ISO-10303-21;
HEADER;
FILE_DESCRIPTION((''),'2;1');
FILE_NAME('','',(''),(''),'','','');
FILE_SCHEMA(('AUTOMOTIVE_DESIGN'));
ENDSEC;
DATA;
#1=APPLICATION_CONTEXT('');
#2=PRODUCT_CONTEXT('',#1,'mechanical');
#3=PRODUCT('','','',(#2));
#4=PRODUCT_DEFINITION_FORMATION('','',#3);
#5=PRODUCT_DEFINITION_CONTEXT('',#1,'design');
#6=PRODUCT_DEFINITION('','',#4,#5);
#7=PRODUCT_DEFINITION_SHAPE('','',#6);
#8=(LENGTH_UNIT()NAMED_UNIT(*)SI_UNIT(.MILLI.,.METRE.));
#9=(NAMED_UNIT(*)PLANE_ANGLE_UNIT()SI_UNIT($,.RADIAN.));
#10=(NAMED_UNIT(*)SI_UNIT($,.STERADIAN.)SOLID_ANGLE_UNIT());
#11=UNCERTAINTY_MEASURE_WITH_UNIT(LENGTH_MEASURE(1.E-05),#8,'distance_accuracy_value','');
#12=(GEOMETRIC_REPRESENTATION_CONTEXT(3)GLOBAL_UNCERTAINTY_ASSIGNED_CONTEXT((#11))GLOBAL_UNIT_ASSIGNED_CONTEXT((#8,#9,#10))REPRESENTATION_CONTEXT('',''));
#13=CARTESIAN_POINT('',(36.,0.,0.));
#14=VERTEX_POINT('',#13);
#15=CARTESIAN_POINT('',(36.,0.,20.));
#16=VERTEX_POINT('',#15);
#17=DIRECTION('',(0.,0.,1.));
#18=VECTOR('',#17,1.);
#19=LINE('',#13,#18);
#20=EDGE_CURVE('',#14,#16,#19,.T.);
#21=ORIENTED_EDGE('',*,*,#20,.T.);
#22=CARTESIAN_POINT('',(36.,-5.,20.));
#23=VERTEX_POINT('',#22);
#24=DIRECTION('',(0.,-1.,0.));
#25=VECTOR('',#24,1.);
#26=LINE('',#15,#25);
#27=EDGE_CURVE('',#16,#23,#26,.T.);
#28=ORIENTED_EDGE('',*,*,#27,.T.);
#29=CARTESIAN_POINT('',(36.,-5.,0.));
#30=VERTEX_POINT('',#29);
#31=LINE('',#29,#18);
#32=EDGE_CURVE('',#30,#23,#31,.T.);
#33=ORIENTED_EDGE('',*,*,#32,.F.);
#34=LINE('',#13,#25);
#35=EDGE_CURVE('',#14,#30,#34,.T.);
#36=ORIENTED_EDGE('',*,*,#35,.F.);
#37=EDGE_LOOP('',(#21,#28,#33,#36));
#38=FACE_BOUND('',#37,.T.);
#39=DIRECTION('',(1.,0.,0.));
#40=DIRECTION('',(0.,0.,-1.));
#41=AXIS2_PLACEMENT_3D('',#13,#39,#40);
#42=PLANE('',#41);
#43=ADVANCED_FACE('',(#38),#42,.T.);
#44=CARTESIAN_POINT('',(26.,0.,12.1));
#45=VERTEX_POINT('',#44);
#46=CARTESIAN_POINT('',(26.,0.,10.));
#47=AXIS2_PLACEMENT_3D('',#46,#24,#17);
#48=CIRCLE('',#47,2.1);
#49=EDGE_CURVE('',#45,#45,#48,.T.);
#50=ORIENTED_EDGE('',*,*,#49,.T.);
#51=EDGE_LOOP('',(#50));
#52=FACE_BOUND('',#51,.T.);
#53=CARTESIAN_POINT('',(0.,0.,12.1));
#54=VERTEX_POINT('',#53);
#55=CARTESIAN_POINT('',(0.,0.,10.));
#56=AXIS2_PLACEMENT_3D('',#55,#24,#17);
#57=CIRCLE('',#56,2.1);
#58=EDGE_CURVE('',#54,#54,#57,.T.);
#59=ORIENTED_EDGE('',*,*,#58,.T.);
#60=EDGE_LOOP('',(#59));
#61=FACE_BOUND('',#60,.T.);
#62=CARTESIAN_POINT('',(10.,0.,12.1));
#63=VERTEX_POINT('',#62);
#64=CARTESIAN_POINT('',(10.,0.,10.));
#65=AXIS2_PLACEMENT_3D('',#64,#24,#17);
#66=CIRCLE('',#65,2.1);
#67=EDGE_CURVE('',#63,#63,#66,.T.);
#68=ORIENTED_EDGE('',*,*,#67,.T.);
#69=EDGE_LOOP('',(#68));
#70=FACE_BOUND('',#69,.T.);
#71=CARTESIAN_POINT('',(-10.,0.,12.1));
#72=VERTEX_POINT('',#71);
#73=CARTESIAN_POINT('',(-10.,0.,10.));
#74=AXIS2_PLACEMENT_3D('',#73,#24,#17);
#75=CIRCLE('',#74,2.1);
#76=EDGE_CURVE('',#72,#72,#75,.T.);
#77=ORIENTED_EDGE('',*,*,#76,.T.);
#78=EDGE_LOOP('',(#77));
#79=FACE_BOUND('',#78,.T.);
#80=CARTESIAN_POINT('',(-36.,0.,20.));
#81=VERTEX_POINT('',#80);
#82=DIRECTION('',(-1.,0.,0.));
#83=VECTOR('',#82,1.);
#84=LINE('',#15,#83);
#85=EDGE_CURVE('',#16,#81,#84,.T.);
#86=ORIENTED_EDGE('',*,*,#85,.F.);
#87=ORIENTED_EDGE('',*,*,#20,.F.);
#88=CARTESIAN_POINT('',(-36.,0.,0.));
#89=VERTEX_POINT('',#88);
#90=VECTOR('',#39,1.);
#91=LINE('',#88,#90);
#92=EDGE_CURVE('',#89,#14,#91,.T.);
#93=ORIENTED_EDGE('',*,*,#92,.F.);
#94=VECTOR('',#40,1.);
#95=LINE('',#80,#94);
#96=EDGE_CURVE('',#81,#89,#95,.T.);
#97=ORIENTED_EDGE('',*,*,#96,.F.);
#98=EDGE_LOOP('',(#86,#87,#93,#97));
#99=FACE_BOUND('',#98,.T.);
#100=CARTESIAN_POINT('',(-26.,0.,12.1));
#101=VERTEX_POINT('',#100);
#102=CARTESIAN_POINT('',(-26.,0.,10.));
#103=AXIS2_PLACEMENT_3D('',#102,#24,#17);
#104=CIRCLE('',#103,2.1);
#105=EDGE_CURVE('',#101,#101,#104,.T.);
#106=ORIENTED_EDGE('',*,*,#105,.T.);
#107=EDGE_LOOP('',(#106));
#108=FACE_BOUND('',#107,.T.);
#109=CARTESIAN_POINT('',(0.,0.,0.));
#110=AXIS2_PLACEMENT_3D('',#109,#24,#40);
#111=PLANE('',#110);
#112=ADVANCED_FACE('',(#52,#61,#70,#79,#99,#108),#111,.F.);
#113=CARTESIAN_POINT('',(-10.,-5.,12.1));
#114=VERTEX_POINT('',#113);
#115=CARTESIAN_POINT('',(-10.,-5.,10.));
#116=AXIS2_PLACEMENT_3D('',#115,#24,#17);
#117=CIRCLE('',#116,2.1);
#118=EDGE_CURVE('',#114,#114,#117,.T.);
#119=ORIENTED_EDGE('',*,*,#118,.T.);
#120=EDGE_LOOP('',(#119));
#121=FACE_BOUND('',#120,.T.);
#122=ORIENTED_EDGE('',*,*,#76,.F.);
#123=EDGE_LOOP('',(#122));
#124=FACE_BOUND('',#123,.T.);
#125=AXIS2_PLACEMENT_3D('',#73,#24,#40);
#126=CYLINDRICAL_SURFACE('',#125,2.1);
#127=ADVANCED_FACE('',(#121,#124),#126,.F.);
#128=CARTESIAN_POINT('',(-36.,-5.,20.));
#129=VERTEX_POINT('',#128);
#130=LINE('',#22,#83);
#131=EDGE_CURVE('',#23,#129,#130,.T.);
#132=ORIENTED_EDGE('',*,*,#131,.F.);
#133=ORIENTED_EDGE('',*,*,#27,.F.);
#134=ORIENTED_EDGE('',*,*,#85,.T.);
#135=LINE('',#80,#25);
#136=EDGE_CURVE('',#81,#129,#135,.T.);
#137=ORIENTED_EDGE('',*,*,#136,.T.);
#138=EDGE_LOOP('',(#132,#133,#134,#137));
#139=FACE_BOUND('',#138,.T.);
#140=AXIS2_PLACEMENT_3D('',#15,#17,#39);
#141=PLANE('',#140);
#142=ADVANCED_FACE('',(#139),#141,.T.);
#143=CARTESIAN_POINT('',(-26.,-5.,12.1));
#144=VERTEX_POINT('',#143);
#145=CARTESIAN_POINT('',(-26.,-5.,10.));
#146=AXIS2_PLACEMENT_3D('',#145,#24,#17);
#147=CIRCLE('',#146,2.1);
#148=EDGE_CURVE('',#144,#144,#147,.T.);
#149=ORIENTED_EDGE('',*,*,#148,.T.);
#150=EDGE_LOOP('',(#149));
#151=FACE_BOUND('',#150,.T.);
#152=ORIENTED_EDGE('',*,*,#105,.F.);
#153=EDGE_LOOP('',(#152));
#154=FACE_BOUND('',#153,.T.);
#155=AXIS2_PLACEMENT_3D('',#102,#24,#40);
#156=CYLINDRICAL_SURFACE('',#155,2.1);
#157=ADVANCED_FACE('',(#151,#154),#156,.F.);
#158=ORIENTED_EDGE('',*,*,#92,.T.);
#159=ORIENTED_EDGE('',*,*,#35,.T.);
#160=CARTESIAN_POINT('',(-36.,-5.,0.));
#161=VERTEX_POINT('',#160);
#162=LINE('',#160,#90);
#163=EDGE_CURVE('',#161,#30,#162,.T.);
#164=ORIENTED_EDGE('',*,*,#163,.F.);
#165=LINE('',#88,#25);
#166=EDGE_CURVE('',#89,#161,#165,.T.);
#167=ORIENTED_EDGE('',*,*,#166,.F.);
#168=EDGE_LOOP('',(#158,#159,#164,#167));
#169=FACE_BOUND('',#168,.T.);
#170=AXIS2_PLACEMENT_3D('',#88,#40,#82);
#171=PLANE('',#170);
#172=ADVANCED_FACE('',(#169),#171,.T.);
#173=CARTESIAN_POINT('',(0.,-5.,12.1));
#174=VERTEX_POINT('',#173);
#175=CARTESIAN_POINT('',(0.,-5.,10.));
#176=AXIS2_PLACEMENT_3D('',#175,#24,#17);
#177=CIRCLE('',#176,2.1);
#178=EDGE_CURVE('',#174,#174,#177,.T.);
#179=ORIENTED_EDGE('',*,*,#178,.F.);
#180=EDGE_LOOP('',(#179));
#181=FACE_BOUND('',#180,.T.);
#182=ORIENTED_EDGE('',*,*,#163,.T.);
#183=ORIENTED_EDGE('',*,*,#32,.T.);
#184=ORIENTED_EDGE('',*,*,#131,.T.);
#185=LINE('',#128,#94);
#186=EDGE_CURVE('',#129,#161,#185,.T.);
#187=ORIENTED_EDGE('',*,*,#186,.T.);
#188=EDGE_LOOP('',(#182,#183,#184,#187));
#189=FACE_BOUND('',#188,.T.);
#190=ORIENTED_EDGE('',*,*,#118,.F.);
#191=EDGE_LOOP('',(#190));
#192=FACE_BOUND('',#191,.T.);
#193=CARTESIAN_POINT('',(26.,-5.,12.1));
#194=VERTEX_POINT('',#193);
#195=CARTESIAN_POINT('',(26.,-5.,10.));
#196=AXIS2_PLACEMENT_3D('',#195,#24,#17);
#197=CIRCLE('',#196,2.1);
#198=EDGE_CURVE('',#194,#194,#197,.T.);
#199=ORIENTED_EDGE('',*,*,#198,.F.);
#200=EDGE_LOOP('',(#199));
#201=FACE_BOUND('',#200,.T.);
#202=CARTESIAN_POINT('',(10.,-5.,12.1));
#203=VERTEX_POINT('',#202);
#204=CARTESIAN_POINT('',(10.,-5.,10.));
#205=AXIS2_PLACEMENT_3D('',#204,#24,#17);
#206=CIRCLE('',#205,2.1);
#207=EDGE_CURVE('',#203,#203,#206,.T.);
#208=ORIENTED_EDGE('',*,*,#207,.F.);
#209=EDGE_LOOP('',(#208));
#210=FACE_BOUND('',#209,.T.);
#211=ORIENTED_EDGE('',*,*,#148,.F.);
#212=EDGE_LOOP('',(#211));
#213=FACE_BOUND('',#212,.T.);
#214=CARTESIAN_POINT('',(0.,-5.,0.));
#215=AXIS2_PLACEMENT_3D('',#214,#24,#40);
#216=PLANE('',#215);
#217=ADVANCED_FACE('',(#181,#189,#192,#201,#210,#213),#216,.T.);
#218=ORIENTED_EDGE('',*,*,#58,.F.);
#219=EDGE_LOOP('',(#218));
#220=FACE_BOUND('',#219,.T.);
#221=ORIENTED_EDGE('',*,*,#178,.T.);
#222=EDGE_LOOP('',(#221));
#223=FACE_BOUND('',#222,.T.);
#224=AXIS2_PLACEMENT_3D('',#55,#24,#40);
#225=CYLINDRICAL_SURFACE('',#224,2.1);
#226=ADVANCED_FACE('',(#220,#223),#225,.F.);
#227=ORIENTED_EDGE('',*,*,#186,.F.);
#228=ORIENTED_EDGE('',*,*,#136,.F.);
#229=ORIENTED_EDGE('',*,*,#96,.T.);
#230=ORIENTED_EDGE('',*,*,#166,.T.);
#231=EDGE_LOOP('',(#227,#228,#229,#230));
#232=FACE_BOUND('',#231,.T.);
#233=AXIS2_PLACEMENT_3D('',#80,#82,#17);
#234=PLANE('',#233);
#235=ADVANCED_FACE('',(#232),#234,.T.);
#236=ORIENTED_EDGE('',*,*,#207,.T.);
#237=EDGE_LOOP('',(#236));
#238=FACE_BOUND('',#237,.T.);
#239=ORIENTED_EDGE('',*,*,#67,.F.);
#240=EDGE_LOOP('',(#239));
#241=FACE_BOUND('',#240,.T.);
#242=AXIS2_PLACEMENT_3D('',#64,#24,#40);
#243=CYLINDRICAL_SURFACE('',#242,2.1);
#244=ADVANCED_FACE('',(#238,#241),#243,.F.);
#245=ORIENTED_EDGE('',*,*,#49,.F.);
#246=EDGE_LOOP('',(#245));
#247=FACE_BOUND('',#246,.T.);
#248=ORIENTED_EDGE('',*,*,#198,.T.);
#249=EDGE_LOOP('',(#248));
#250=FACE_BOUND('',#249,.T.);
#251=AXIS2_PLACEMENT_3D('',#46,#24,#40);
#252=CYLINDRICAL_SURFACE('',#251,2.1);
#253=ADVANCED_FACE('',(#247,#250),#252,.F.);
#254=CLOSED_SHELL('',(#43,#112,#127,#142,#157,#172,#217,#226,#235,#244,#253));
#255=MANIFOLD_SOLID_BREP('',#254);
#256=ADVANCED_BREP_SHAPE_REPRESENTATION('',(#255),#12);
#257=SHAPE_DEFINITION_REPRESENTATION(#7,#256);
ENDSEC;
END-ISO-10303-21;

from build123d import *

# Parameters (mm, degrees)
SKETCH_1_W      = 72
SKETCH_1_H      = 20
SKETCH_1_R      = 2.1
EXTRUDE_1_DEPTH = 5


with BuildPart() as part:
    # 草图1 → 凸台-拉伸1 (new body)
    with BuildSketch(Plane.XZ.offset(5)):
        with Locations((0, 10)):
            Rectangle(SKETCH_1_W, SKETCH_1_H)
        with Locations(Location((10, 10, 0), (0, 0, 90))):
            Circle(SKETCH_1_R, mode=Mode.SUBTRACT)
        with Locations(Location((26, 10, 0), (0, 0, 90))):
            Circle(SKETCH_1_R, mode=Mode.SUBTRACT)
        with Locations(Location((-10, 10, 0), (0, 0, 90))):
            Circle(SKETCH_1_R, mode=Mode.SUBTRACT)
        with Locations(Location((-26, 10, 0), (0, 0, 90))):
            Circle(SKETCH_1_R, mode=Mode.SUBTRACT)
        with Locations(Location((0, 10, 0), (0, 0, 90))):
            Circle(SKETCH_1_R, mode=Mode.SUBTRACT)
    extrude(amount=-EXTRUDE_1_DEPTH)


solid = part.part
